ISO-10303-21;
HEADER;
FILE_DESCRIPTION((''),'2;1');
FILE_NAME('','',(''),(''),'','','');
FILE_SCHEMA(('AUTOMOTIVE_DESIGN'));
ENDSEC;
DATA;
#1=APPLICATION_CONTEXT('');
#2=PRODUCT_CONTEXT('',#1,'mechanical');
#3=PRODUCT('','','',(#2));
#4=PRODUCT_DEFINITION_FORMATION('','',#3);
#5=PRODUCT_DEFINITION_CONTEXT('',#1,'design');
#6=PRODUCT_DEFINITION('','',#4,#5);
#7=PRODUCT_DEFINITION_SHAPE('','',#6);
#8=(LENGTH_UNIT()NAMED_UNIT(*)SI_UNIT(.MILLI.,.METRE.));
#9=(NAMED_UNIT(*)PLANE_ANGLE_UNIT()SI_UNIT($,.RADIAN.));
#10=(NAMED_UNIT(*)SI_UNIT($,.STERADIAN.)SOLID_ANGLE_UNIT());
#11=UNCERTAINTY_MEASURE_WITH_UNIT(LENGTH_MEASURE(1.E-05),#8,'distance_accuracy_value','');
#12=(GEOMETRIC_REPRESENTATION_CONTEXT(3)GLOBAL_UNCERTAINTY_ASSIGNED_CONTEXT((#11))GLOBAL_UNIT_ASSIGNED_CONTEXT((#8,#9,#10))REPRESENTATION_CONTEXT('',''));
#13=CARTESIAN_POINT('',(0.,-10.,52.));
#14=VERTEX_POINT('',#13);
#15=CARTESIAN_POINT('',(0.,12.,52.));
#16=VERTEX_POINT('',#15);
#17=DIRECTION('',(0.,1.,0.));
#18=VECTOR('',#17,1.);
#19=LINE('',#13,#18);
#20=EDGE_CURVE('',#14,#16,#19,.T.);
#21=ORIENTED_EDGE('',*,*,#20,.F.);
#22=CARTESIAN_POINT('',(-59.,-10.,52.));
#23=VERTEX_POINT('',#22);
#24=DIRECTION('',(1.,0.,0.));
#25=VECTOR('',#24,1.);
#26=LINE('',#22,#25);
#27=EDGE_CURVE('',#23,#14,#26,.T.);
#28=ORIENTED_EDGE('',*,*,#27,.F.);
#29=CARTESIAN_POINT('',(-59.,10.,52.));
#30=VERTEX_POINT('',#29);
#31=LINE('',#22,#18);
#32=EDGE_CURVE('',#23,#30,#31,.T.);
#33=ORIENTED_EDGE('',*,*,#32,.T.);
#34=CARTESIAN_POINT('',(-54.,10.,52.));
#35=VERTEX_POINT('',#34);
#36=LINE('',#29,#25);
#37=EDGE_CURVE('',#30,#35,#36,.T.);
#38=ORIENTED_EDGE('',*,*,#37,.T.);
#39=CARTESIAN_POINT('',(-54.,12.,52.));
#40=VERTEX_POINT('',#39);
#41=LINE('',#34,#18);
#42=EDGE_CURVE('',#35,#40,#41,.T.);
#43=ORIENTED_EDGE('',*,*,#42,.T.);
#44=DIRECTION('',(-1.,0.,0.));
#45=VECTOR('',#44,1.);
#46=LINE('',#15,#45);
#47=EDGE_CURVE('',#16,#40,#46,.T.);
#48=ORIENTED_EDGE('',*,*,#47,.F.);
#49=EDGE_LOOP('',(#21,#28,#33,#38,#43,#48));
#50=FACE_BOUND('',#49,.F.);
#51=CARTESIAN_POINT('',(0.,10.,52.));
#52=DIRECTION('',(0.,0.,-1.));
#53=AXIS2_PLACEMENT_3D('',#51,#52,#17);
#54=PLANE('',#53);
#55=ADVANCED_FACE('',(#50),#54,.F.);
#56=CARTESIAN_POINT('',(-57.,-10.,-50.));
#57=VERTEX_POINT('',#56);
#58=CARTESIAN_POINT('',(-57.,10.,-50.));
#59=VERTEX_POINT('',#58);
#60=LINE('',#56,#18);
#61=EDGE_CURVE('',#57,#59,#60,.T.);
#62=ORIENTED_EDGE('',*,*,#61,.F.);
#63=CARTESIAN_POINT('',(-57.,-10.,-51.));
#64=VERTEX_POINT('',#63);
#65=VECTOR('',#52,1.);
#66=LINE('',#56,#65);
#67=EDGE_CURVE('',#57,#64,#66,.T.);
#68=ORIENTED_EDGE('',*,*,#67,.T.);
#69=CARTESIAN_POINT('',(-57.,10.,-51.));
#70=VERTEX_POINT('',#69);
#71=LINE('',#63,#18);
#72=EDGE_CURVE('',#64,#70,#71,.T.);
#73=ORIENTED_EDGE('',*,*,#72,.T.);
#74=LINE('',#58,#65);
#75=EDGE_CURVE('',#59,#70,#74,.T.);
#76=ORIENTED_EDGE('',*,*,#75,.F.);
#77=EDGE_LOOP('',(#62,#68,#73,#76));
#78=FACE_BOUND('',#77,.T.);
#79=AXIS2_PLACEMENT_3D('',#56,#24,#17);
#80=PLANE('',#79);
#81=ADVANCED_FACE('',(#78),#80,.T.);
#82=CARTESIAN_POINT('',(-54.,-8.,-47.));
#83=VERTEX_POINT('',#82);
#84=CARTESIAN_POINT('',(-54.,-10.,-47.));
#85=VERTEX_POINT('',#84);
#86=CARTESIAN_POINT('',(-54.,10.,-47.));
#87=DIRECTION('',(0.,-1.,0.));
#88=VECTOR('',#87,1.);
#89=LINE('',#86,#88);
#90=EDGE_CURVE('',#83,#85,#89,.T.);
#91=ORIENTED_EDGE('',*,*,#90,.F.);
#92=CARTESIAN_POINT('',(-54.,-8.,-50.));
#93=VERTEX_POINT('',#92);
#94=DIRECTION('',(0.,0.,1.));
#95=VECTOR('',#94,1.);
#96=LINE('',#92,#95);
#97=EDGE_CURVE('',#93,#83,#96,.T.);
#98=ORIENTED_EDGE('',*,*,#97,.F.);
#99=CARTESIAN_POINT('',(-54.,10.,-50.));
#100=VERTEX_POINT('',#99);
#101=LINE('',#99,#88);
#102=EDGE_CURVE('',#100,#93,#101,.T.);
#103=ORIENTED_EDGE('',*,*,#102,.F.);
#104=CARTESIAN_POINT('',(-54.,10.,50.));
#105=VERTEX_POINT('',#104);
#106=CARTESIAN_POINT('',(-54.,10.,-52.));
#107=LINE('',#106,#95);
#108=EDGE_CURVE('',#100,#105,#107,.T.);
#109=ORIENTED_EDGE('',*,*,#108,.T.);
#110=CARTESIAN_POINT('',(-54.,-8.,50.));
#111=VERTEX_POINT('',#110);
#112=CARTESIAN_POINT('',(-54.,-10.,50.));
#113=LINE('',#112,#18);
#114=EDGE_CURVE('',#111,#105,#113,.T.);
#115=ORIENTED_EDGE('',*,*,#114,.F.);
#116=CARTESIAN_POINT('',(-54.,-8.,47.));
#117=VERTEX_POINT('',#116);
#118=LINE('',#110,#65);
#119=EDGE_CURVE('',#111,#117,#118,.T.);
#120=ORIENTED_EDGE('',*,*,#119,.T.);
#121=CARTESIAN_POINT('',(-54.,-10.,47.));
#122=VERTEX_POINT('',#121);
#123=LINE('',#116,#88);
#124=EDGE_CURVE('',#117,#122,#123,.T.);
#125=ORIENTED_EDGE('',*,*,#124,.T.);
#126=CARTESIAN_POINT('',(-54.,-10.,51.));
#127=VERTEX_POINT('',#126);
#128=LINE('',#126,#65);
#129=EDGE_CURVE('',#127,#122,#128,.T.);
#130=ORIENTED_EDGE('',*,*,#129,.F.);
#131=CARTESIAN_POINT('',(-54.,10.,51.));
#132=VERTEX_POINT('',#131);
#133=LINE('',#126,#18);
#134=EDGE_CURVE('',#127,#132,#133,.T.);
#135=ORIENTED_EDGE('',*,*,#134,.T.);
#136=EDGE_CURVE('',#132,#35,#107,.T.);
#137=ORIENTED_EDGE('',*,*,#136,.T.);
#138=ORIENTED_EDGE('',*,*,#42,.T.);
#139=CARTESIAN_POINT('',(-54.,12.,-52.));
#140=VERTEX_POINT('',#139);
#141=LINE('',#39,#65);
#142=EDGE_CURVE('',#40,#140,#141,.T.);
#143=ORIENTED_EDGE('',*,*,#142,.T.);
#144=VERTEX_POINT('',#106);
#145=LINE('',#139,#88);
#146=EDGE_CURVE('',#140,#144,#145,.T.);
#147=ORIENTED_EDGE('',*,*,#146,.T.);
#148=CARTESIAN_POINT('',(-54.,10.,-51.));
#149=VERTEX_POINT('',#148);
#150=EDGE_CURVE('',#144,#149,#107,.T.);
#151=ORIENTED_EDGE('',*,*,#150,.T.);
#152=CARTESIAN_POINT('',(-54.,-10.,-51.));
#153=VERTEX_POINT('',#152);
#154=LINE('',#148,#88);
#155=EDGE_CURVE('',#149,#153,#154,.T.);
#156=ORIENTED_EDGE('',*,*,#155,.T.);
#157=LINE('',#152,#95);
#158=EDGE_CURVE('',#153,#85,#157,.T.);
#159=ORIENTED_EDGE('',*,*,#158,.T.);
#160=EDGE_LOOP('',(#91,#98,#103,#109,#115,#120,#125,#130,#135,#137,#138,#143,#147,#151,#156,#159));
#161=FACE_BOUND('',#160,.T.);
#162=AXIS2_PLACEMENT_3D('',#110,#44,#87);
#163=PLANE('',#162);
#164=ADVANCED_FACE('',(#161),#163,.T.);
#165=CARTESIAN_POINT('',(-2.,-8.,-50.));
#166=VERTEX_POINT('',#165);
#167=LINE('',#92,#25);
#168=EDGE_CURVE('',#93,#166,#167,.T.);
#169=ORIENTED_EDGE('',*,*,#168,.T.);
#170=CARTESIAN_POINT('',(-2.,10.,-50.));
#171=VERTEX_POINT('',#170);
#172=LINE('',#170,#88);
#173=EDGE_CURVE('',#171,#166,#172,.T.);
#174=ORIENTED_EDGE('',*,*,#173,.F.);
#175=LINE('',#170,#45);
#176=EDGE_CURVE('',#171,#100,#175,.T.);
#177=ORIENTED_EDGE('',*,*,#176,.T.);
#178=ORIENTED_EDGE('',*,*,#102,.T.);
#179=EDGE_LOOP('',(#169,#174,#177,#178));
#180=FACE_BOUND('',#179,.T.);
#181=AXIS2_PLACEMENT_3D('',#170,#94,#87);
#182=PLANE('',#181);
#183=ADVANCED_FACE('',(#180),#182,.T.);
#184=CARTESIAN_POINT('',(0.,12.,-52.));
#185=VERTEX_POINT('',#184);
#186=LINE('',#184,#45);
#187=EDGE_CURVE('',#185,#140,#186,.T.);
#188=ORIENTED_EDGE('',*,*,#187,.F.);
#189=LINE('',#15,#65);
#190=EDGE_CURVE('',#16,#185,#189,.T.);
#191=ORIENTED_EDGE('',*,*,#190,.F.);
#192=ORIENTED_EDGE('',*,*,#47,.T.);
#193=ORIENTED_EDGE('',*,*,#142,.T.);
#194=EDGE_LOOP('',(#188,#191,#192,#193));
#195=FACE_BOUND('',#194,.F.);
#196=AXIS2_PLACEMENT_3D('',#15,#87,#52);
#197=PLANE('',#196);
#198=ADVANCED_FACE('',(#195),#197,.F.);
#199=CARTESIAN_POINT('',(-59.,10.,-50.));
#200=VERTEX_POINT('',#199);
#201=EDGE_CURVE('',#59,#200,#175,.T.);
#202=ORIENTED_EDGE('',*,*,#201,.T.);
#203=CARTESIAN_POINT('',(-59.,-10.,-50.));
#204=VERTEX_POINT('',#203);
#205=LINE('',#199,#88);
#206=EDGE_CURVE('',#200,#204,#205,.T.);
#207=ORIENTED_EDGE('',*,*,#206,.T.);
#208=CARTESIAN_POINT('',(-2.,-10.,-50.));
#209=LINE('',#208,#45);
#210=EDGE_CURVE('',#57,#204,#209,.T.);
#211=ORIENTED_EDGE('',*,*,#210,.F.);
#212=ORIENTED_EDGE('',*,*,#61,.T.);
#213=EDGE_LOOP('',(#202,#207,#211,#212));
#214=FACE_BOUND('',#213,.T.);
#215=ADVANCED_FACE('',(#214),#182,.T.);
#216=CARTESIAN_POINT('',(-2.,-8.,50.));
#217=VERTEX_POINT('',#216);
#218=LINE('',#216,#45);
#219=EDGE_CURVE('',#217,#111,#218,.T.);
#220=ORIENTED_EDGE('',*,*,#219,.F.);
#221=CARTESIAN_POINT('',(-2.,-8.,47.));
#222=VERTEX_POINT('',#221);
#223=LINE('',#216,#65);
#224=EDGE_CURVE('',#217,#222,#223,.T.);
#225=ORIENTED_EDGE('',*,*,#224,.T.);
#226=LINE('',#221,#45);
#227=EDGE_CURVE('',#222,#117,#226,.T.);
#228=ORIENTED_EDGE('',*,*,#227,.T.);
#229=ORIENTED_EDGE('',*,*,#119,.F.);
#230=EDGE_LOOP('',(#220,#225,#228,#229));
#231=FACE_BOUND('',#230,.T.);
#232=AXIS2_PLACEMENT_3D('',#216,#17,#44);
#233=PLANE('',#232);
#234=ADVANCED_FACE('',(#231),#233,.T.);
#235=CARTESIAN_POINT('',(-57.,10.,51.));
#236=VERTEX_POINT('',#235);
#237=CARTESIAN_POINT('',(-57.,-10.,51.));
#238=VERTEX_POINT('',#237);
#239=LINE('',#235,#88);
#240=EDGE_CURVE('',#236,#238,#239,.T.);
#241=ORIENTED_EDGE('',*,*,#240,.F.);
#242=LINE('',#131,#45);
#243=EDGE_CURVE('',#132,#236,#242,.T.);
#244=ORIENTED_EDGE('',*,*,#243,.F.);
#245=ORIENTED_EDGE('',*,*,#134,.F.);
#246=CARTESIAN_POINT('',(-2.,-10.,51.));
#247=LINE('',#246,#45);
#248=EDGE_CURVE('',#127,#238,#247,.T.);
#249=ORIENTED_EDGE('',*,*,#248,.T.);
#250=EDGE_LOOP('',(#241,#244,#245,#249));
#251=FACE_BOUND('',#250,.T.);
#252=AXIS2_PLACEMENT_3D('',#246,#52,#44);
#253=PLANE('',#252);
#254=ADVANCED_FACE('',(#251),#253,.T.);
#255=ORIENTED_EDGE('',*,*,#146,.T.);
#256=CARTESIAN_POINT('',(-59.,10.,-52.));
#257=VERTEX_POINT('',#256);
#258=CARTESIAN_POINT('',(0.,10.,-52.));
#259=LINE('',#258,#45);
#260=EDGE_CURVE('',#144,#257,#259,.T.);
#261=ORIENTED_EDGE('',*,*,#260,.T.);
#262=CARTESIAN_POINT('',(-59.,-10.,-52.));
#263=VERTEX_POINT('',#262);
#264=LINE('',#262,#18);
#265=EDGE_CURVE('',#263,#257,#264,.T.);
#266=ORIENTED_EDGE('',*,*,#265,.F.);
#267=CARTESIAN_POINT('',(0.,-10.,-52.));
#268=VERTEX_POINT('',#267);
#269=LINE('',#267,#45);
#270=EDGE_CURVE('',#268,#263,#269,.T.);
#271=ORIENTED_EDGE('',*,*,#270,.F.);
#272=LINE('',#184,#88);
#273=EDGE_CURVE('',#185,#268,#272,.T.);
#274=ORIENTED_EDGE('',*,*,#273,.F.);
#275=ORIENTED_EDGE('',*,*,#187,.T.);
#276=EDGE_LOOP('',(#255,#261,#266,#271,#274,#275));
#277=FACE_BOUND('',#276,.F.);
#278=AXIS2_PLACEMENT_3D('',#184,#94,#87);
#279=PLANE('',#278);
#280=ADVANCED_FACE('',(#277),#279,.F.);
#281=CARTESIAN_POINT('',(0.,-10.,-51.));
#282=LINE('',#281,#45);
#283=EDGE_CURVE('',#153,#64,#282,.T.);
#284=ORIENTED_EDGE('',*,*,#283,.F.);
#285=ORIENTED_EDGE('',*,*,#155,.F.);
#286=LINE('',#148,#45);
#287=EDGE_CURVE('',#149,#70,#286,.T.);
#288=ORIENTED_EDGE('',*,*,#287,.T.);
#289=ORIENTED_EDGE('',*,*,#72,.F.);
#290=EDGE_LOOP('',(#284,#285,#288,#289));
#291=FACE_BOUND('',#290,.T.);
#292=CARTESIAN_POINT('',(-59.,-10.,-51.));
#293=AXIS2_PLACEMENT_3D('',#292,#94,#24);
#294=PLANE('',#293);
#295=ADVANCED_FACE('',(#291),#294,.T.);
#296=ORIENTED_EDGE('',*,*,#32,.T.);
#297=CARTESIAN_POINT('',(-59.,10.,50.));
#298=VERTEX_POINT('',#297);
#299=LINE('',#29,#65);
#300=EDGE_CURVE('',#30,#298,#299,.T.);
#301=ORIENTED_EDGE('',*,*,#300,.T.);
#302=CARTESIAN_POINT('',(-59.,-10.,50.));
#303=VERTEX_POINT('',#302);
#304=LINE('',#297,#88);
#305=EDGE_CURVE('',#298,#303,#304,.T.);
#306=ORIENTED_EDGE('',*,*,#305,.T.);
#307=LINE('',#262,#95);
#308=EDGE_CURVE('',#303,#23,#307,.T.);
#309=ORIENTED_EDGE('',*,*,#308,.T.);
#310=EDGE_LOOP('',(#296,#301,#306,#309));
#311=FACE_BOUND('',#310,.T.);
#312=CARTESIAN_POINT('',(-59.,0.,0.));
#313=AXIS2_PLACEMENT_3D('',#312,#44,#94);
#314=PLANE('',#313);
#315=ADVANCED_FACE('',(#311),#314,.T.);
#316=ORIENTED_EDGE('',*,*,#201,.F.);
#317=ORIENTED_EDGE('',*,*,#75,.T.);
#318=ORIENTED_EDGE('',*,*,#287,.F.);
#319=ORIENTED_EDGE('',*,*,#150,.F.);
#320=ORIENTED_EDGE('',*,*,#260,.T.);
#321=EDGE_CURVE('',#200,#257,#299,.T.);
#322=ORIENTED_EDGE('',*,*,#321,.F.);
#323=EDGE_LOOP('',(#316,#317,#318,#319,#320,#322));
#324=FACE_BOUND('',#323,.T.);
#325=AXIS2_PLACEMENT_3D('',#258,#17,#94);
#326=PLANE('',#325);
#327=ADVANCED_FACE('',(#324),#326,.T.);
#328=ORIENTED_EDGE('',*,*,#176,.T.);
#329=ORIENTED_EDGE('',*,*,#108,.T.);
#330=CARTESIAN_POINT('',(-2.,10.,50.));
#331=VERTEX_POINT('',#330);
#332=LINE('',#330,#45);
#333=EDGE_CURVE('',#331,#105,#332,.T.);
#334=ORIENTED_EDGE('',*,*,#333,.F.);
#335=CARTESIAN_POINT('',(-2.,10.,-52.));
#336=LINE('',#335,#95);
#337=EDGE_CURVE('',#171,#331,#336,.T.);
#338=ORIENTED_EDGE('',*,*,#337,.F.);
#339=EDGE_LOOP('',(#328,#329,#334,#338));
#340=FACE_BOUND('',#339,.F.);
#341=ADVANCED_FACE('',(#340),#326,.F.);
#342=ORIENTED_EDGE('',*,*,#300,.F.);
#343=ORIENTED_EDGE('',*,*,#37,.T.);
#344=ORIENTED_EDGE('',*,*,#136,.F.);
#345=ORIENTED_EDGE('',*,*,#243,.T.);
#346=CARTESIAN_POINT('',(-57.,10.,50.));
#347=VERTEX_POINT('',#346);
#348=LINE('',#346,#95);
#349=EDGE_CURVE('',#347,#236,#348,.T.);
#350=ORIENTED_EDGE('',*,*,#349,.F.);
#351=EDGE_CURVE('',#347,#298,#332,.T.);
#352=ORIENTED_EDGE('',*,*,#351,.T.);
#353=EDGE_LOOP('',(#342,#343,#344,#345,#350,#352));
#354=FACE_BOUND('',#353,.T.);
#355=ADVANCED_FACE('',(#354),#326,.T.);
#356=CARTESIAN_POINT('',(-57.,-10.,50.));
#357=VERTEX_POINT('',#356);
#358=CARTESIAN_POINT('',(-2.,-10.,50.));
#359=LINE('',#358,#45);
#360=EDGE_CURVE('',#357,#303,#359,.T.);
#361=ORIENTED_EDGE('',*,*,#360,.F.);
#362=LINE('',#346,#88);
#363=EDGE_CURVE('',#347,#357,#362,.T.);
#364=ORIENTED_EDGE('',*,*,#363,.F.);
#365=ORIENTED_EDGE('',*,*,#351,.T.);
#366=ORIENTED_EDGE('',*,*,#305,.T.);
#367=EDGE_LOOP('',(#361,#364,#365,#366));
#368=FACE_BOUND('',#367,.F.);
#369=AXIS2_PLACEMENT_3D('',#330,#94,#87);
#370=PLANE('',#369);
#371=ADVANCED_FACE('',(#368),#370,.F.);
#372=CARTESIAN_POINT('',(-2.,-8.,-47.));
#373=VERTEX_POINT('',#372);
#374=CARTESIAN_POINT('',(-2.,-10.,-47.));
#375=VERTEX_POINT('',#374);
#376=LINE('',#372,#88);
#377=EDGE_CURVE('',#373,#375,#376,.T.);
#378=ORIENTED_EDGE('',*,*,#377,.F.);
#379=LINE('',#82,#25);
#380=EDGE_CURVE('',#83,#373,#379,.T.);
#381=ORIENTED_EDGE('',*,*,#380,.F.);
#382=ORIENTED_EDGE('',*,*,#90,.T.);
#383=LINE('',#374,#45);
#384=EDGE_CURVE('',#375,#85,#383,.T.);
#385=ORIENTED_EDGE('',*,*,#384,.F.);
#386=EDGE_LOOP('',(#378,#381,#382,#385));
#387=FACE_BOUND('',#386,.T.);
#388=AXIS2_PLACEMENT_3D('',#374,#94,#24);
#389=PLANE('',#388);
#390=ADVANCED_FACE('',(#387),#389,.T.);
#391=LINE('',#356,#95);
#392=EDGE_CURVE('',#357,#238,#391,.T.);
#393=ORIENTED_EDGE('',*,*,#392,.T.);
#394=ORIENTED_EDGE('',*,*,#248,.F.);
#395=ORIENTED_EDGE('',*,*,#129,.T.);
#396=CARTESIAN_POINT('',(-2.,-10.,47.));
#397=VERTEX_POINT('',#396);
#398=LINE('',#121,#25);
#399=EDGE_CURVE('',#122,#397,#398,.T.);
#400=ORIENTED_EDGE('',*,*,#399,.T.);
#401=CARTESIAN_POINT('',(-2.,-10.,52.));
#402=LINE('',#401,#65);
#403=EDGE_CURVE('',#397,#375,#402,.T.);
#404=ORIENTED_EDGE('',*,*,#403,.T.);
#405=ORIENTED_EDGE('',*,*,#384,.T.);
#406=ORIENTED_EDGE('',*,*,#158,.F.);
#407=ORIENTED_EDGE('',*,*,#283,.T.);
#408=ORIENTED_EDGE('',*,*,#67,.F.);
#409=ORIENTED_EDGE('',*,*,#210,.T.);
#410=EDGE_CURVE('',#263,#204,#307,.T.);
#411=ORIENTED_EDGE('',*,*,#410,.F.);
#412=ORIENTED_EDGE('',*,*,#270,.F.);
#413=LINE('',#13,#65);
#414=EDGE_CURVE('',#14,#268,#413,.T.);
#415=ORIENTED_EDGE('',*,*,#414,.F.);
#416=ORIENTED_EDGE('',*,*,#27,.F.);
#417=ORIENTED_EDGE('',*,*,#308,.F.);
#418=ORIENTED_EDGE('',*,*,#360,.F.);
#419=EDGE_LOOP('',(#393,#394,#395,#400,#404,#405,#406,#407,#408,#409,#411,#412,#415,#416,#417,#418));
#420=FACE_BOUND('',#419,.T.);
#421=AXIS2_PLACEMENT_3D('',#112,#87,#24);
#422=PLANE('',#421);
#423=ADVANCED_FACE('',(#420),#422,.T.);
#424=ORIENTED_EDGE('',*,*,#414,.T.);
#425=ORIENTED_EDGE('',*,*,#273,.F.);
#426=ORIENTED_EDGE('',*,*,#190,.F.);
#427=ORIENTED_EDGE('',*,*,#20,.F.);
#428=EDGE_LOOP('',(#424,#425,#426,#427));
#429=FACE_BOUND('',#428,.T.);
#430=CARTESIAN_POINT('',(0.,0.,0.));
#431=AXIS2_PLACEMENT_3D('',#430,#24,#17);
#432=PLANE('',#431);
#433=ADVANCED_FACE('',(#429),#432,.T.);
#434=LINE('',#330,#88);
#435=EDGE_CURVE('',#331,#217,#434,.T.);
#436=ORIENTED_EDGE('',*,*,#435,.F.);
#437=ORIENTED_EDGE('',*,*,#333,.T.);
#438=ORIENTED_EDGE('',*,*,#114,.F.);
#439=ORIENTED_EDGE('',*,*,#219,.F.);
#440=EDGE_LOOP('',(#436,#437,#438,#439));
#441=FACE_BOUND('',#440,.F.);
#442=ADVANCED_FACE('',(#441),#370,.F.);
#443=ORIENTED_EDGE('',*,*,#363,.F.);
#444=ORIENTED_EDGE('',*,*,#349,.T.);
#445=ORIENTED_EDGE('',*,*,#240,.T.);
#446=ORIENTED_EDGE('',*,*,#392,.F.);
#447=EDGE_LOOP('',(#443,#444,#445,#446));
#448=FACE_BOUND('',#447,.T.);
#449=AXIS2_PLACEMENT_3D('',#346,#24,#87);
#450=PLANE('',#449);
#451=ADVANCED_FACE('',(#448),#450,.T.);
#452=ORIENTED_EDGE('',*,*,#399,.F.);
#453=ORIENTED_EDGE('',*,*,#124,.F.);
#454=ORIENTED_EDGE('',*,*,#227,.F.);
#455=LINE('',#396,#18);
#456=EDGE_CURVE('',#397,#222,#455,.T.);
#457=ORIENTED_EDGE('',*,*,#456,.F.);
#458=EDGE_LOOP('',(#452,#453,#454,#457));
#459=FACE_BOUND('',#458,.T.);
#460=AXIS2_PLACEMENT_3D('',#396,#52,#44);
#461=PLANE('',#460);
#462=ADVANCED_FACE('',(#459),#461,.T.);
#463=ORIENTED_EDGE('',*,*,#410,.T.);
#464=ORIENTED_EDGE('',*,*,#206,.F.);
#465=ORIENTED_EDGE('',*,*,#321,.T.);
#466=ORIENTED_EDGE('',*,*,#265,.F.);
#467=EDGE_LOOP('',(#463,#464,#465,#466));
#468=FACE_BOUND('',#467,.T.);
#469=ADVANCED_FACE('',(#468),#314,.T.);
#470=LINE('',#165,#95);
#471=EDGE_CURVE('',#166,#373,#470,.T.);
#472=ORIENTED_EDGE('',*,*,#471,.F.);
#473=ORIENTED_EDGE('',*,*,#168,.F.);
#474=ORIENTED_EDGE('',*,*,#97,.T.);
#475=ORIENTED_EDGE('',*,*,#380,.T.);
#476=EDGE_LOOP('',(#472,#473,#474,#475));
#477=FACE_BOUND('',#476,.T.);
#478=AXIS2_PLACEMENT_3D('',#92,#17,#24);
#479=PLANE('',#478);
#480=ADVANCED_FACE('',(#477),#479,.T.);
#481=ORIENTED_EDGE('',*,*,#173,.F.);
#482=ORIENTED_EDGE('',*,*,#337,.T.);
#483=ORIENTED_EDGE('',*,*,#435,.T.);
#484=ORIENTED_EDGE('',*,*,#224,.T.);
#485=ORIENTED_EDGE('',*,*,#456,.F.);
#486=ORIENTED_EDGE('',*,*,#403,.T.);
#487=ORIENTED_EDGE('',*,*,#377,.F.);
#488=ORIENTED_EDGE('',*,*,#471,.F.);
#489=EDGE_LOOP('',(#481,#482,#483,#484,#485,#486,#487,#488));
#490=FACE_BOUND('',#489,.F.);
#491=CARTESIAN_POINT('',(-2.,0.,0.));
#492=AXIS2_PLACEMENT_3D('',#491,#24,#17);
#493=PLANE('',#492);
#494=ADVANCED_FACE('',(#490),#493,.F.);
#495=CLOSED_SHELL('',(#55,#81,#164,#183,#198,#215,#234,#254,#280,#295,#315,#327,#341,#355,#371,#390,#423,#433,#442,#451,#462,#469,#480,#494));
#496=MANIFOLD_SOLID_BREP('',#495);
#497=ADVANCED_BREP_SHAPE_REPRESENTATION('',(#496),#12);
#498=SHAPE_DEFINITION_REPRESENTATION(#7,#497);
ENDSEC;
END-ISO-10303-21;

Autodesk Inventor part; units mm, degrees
ref_plane "YZ Plane" through (0, 0, 0) normal (1, 0, 0) x (0, 1, 0)
ref_plane "XZ Plane" through (0, 0, 0) normal (0, 1, 0) x (-1, 0, 0)
ref_plane "XY Plane" through (0, 0, 0) normal (0, 0, 1) x (1, 0, 0)
sketch "Sketch1" plane through (0, 0, 0) normal (1, 0, 0) x (0, 1, 0)
  line L0 (10, 52) -> (-10, 52)
  line L1 (-10, 52) -> (-10, -52)
  line L2 (-10, -52) -> (10, -52)
  line L3 (10, -52) -> (10, 52)
  point P0 (0, 0)
  dimension "d0" = 104
  dimension "d1" = 20
  dimension "d2" = 52
  dimension "d3" = 10
extrude "Extrusion1" add sketch "Sketch1" against normal blind 2
sketch "Sketch2" plane through (-2, 0, 0) normal (-1, 0, 0) x (0, 0, 1)
  line L0 (52, 10) -> (-52, 10) projected
  line L1 (-52, -10) -> (52, -10) projected
  line L2 (-52, 10) -> (-50, 10)
  line L3 (-50, 10) -> (-50, -10)
  line L4 (-50, -10) -> (-52, -10)
  line L5 (-52, -10) -> (-52, 10)
  line L6 (52, -10) -> (52, 10) projected
  line L7 (52, 10) -> (50, 10)
  line L8 (50, 10) -> (50, -10)
  line L9 (50, -10) -> (52, -10)
  line L10 (52, -10) -> (52, 10)
  point P0 (0, 0)
  dimension "d6" = 2
  dimension "d7" = 2
extrude "Extrusion2" add sketch "Sketch2" along normal blind 57 contours L6 L1 L8 L0 | L3 L1 L5 L0
sketch "Sketch3" plane through (0, 0, 0) normal (1, 0, 0) x (0, 0, -1)
  line L0 (52, 10) -> (-52, 10) projected
  line L1 (52, 10) -> (-52, 10)
  line L2 (-52, 10) -> (-52, 12)
  line L3 (-52, 12) -> (52, 12)
  line L4 (52, 12) -> (52, 10)
  line L5 (-52, 10) -> (-52, -10) projected
  point P0 (0, 0)
  dimension "d10" = 2
  dimension "d11" = 0
extrude "Extrusion3" add sketch "Sketch3" against normal blind 54
sketch "Sketch6" plane through (-2, -10, 50) normal (0, 0, -1) x (-1, 0, 0)
  line L0 (52, 20) -> (57, 20) projected
  line L1 (0, 0) -> (57, 0) projected
  line L2 (52, 20) -> (55, 20)
  line L3 (55, 20) -> (55, 0)
  line L4 (55, 0) -> (52, 0)
  line L5 (52, 0) -> (52, 20)
  line L6 (57, 20) -> (57, 0) projected
  point P0 (-2, 10)
  dimension "d16" = 2
  dimension "d17" = 3
sketch "Sketch7" plane through (-59, -10, -50) normal (0, 0, 1) x (1, 0, 0)
  line L0 (5, 20) -> (0, 20) projected
  line L1 (59, 0) -> (0, 0) projected
  line L2 (2, 20) -> (5, 20)
  line L3 (5, 20) -> (5, 0)
  line L4 (5, 0) -> (2, 0)
  line L5 (2, 0) -> (2, 20)
  line L6 (0, 0) -> (0, 20) projected
  point P0 (59, 10)
  dimension "d18" = 3
  dimension "d19" = 2
extrude "Extrusion4" cut sketch "Sketch7" against normal blind 1 contours L3 L1 L5 L0
extrude "Extrusion5" cut sketch "Sketch6" against normal blind 1 contours L0 L3 L1 L5
sketch "Sketch8" plane through (-2, -10, -50) normal (0, 0, 1) x (1, 0, 0)
  line L0 (-52, 20) -> (-52, 0) projected
  line L1 (0, 0) -> (-52, 0)
  line L2 (-52, 0) -> (-52, 2)
  line L3 (-52, 2) -> (0, 2)
  line L4 (0, 2) -> (0, 0)
  point P0 (2, 10)
  dimension "d24" = 2
sketch "Sketch9" plane through (-2, -10, 50) normal (0, 0, -1) x (-1, 0, 0)
  line L0 (52, 0) -> (0, 0)
  line L1 (0, 0) -> (0, 2)
  line L2 (0, 2) -> (52, 2)
  line L3 (52, 2) -> (52, 0)
  point P0 (-2, 10)
  dimension "d25" = 2
extrude "Extrusion6" add sketch "Sketch8" along normal blind 3
extrude "Extrusion7" add sketch "Sketch9" along normal blind 3
properties part number "LEDs_protect"
